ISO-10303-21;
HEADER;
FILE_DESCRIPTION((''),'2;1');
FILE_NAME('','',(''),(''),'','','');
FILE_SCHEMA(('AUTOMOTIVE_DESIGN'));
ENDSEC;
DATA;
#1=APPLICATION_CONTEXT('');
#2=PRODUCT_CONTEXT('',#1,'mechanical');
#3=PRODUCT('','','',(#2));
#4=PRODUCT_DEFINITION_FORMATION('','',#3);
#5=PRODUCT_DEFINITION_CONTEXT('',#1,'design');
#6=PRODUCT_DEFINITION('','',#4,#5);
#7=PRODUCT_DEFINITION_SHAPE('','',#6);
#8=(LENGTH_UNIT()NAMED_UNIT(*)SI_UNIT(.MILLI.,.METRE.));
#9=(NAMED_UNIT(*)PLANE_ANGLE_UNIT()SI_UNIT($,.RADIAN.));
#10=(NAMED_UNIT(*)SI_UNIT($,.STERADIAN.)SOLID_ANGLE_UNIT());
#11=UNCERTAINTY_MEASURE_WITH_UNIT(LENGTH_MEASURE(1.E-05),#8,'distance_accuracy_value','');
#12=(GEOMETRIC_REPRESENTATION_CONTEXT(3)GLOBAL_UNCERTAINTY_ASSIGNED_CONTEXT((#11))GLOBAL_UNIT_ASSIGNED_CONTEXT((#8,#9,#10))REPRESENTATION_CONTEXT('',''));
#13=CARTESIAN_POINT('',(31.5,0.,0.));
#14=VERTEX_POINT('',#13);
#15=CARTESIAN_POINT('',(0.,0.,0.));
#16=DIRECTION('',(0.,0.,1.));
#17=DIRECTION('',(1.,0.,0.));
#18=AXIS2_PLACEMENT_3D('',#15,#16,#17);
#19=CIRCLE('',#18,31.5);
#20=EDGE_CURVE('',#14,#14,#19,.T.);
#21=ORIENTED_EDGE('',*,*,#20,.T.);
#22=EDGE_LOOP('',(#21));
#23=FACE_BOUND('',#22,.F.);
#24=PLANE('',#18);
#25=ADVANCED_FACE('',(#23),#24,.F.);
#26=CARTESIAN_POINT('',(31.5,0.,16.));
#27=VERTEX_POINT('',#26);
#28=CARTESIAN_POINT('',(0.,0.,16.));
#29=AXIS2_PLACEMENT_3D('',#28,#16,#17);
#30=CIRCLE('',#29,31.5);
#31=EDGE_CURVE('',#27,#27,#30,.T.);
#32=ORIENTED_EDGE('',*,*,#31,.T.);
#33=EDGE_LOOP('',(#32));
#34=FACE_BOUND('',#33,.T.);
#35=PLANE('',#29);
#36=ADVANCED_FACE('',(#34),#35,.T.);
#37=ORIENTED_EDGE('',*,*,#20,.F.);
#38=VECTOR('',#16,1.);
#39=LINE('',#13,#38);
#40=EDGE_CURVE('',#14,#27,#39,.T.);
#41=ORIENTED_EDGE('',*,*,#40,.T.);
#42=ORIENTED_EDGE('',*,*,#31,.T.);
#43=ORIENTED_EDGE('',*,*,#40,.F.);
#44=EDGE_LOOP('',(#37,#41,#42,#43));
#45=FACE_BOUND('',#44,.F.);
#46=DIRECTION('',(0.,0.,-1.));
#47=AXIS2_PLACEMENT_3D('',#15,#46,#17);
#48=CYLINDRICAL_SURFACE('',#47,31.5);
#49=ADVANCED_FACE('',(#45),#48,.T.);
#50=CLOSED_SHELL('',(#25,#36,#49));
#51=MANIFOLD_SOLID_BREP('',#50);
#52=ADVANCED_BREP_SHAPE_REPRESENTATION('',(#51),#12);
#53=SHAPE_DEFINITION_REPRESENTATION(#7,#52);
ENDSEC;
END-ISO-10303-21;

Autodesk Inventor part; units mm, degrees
ref_plane "YZ Plane" through (0, 0, 0) normal (1, 0, 0) x (0, 1, 0)
ref_plane "XZ Plane" through (0, 0, 0) normal (0, 1, 0) x (-1, 0, 0)
ref_plane "XY Plane" through (0, 0, 0) normal (0, 0, 1) x (1, 0, 0)
sketch "スケッチ1" plane through (0, 0, 0) normal (0, 0, 1) x (1, 0, 0)
  circle A0 centre (0, 0) radius 31.5
  dimension "d0" = 63
extrude "押し出し1" add sketch "スケッチ1" along normal blind 16
properties part number "Tire"
